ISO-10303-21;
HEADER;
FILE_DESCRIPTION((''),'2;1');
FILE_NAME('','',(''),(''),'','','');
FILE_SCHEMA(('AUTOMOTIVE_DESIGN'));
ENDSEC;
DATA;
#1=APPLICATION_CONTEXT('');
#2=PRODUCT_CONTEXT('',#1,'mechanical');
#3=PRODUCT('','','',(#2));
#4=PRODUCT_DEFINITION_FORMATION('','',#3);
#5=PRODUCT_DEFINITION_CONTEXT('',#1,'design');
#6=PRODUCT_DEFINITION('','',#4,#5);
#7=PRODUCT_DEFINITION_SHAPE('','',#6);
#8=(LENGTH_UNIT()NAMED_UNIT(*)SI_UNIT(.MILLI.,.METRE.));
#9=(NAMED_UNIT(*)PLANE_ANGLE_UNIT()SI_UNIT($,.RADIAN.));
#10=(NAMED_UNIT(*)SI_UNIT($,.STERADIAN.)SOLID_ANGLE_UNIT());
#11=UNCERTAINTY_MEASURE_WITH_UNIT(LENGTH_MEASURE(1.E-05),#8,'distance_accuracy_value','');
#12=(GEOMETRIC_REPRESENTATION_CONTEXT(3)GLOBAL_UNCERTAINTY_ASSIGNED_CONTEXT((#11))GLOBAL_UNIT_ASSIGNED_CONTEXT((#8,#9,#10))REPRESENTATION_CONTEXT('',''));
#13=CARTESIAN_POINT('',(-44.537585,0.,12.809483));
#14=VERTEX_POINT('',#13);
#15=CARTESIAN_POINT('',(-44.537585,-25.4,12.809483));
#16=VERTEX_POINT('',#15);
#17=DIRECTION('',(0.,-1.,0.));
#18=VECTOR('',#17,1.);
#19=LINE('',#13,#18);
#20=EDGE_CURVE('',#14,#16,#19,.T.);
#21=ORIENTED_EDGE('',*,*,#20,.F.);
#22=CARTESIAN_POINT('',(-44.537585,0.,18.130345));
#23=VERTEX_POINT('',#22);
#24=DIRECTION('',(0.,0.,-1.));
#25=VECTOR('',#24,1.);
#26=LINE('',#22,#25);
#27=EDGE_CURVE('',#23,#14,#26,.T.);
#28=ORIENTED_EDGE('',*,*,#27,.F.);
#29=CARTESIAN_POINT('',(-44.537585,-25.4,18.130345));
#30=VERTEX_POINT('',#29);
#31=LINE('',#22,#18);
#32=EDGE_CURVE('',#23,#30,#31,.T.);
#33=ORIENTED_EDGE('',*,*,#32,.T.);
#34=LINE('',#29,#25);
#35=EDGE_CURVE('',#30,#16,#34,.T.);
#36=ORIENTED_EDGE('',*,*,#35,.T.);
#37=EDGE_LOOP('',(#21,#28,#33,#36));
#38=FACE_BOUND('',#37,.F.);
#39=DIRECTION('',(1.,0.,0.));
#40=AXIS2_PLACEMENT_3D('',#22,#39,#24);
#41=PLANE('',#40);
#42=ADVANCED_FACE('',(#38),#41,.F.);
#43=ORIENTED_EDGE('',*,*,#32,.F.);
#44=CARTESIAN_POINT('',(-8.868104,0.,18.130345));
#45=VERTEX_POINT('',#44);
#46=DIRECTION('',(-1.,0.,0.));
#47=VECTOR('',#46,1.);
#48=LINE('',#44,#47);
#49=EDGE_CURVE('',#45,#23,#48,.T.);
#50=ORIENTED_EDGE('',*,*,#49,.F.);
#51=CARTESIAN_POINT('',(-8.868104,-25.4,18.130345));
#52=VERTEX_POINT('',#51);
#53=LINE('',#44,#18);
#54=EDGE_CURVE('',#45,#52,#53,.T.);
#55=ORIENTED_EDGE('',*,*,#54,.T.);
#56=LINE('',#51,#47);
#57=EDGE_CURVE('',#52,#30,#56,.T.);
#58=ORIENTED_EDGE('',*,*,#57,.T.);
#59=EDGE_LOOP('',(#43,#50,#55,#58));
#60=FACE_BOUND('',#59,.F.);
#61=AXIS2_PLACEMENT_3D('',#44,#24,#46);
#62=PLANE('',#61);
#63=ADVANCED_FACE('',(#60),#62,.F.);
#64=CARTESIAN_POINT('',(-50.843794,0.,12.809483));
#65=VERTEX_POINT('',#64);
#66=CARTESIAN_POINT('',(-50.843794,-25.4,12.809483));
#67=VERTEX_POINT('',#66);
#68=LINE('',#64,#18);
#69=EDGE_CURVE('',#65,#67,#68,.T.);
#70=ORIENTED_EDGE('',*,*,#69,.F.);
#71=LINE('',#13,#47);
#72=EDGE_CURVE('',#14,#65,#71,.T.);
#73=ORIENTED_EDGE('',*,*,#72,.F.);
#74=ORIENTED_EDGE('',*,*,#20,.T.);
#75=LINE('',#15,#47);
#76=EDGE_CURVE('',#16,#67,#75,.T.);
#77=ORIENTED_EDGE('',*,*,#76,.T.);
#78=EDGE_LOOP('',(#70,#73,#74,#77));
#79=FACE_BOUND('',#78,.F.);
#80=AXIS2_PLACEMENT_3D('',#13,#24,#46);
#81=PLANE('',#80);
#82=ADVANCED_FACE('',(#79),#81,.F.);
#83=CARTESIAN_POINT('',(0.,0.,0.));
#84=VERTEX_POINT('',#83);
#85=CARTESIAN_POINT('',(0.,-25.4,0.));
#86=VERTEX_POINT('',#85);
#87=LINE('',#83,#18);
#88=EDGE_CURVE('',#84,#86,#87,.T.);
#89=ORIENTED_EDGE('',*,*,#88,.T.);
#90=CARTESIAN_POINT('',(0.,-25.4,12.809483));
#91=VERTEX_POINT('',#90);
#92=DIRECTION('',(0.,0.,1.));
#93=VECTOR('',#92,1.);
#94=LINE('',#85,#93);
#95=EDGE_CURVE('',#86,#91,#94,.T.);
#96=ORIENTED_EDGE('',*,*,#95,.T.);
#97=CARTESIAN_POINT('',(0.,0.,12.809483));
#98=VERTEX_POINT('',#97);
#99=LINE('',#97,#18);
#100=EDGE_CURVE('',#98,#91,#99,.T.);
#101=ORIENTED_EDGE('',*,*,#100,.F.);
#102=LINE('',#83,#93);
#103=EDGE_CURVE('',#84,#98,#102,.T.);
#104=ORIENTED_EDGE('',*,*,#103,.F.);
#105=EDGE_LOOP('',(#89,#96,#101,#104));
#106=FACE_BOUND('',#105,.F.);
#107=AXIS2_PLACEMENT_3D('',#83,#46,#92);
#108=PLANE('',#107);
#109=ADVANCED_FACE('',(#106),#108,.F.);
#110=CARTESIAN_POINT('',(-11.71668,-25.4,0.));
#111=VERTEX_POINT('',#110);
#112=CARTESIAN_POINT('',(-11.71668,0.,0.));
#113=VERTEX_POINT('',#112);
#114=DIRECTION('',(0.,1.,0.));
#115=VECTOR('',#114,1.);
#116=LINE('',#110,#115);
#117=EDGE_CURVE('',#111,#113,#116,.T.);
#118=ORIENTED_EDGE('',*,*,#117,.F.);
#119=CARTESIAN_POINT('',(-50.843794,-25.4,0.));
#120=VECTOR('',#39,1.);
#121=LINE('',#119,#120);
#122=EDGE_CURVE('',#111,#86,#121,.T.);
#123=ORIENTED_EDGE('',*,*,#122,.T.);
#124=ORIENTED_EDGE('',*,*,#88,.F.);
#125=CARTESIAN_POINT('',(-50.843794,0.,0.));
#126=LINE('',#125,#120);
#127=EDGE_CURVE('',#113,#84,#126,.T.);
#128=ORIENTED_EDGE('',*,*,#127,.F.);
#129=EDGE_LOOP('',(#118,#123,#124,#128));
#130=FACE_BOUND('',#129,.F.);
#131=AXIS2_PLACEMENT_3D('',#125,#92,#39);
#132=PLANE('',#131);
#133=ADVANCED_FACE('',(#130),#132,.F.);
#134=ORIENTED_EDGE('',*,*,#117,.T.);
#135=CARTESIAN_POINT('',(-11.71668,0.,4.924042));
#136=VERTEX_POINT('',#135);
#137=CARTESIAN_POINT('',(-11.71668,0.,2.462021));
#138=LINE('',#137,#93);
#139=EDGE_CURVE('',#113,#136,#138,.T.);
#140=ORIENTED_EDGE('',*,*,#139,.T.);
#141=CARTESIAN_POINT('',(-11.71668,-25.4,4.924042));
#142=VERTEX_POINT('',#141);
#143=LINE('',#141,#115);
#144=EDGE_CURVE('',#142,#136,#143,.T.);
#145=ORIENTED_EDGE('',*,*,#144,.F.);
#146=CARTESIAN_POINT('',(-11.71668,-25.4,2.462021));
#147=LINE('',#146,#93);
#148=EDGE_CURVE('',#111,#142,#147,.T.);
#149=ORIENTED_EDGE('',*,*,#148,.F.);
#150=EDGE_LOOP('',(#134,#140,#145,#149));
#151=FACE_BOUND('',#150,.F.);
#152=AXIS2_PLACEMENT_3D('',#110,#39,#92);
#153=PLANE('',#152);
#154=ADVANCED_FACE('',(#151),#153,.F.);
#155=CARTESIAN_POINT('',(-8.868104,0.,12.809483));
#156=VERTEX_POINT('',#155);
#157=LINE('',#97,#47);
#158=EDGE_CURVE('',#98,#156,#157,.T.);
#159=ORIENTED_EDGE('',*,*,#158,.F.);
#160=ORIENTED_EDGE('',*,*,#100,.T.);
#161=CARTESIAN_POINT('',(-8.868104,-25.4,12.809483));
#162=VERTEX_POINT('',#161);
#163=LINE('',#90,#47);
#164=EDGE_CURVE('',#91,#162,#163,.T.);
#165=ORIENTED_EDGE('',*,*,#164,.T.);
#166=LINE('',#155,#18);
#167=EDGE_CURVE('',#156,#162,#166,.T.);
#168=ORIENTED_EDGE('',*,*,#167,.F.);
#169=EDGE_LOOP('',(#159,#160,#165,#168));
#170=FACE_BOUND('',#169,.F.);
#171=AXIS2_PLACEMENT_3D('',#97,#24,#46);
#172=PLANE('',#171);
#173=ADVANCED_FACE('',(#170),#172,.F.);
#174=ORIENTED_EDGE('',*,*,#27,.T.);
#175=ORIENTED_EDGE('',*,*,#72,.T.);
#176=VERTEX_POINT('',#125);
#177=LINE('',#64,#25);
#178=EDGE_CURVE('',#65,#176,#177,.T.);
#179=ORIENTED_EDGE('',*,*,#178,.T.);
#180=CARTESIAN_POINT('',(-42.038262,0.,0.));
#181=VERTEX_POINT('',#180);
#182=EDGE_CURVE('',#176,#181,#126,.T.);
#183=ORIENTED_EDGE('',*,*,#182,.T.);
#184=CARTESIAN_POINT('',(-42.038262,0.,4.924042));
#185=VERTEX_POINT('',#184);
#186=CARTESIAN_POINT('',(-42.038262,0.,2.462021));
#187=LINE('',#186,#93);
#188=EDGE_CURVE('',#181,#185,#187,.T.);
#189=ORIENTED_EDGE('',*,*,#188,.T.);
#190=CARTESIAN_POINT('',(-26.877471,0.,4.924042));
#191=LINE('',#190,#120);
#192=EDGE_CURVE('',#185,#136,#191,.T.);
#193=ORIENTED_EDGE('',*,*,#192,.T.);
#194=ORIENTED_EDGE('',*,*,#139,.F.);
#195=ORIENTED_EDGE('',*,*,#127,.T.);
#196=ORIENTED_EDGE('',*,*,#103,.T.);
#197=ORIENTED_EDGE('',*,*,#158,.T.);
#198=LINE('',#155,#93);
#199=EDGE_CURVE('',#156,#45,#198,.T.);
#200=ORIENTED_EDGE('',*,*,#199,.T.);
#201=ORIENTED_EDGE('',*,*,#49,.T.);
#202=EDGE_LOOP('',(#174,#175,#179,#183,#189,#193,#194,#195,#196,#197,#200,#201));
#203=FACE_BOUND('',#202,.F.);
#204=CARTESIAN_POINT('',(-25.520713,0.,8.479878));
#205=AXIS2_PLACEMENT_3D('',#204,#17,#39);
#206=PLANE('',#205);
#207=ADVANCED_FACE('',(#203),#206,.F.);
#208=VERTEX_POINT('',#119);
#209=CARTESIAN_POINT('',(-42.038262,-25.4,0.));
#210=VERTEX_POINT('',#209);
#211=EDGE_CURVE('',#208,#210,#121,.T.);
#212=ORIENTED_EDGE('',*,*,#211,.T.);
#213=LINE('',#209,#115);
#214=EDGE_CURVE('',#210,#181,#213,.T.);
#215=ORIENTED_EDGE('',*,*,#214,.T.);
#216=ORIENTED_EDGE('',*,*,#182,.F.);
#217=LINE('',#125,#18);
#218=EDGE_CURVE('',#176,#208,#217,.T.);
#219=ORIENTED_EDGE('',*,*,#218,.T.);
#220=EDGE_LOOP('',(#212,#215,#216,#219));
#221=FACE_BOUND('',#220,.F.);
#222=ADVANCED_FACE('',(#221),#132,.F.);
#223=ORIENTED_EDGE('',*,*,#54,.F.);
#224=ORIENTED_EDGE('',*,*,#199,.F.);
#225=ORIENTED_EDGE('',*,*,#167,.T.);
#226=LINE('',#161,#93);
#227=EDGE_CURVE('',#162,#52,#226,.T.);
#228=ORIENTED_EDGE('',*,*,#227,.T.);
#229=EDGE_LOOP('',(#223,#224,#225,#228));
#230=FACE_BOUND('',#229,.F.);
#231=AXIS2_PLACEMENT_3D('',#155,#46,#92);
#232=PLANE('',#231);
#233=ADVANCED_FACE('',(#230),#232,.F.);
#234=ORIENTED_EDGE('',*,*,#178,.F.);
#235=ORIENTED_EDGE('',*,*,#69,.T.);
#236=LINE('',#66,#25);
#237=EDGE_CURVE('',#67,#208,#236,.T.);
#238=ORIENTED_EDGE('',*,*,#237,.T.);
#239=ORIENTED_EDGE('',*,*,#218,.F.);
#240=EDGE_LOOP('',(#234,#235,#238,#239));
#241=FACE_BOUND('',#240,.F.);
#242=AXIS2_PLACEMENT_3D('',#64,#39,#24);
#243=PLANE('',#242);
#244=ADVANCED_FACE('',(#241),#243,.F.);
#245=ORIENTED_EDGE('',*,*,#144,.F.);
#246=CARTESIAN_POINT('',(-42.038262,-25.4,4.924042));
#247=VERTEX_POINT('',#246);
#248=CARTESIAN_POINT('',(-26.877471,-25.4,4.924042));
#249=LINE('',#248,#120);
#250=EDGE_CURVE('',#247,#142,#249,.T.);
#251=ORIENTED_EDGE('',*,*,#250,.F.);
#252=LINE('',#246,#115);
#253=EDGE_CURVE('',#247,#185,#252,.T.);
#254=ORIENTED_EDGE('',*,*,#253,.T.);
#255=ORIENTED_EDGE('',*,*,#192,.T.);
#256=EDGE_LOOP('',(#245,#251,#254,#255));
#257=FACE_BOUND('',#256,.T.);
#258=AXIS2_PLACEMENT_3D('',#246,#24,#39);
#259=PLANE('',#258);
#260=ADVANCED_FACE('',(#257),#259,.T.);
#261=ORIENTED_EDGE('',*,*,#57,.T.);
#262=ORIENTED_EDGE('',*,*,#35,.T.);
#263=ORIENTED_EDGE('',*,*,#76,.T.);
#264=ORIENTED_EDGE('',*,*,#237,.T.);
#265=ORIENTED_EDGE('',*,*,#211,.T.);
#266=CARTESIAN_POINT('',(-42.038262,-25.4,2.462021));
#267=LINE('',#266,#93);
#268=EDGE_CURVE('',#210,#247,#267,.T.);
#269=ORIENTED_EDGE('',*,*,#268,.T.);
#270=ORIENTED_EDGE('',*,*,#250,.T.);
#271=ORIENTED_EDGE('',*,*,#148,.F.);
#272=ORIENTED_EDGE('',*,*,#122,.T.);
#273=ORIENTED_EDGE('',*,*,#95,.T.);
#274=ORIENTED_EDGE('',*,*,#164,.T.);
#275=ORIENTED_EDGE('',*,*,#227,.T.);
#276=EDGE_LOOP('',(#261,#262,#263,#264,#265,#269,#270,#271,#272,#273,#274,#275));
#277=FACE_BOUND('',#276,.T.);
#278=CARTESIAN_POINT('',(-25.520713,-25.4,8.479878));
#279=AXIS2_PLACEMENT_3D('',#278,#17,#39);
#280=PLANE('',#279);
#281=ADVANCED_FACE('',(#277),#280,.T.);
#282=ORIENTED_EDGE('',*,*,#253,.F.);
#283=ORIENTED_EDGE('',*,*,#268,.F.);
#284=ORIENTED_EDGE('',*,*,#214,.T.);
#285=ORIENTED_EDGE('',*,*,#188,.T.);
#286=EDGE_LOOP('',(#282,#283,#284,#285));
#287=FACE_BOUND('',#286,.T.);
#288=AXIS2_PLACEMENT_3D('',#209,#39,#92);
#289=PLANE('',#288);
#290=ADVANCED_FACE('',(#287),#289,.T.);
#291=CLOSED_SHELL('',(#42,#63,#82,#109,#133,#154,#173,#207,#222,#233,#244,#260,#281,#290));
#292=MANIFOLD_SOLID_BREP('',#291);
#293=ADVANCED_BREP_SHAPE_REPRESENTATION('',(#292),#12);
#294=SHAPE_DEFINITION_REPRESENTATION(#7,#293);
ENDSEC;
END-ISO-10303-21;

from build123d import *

# Parameters (mm, degrees)
F1_DEPTH = 25.4
F2_W     = 30.321582
F2_H     = 4.924042
F3_DEPTH = 25.4


with BuildPart() as f1:
    # F0 (on Front) → F1 (new body)
    with BuildSketch(Plane.XZ):
        Polygon((-50.843794, 0), (0, 0), (0, 12.809483), (-8.868104, 12.809483), (-8.868104, 18.130345), (-44.537585, 18.130345), (-44.537585, 12.809483), (-50.843794, 12.809483), align=None)
    extrude(amount=F1_DEPTH)

    # F2 (on face) → F3 (cut)
    with BuildSketch(Plane.XZ.offset(25.4)):
        with Locations((-26.877471, 2.462021)):
            Rectangle(F2_W, F2_H)
    extrude(amount=-F3_DEPTH, mode=Mode.SUBTRACT)


solid = f1.part
